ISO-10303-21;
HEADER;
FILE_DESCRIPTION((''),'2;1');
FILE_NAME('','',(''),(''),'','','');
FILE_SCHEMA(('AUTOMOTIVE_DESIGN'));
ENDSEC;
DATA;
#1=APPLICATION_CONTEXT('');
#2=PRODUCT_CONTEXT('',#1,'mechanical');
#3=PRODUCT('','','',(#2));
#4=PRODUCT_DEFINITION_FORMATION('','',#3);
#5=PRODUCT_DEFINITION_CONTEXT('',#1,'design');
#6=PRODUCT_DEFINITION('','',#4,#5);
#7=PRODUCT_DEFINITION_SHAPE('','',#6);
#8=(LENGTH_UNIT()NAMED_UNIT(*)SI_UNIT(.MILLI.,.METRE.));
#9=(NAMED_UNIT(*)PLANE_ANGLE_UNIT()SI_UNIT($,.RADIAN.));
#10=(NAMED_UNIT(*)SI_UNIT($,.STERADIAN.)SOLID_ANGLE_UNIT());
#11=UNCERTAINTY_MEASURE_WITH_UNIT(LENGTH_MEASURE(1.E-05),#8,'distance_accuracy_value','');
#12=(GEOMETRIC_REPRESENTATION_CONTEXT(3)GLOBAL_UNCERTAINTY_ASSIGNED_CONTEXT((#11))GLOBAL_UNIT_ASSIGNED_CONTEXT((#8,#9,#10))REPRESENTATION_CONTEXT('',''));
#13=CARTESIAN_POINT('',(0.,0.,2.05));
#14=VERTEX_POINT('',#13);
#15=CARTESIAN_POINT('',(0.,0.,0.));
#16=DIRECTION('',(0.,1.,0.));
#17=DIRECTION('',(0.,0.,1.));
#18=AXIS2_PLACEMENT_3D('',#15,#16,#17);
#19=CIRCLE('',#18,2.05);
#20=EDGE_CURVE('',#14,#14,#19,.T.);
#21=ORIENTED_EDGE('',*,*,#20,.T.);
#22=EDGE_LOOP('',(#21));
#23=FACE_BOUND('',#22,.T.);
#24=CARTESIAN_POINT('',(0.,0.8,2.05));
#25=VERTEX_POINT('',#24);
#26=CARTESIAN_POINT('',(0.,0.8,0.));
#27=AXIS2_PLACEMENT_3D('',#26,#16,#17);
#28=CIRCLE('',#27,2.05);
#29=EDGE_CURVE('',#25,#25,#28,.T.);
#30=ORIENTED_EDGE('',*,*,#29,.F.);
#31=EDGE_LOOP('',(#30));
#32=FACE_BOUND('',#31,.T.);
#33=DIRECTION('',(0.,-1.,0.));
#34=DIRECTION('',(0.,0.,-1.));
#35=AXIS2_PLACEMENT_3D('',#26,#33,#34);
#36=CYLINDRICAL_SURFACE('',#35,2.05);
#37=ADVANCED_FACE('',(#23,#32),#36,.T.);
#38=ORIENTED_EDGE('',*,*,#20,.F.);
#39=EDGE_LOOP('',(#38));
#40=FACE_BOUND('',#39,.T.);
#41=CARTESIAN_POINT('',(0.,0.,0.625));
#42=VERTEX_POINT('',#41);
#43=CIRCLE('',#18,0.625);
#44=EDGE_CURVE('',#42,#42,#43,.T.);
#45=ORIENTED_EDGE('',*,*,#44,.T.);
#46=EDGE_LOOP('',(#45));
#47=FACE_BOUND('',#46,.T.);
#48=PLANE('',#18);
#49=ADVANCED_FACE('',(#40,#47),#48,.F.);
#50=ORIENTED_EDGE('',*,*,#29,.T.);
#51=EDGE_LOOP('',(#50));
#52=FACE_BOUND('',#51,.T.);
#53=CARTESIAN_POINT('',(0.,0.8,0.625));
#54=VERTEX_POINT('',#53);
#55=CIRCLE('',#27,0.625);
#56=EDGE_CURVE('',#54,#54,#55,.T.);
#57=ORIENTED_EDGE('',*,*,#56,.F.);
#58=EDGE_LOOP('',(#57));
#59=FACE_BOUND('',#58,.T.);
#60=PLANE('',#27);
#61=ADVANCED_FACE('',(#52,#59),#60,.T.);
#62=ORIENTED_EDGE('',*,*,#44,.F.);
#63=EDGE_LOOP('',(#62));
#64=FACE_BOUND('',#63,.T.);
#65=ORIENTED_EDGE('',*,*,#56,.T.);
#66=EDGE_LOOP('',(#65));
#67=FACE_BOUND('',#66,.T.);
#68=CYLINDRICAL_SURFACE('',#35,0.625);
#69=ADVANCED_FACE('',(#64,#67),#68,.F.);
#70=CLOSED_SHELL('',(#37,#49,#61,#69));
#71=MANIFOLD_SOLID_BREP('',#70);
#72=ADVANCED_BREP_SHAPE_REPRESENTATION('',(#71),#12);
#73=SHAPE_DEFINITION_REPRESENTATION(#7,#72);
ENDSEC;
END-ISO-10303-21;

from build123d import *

# Parameters (mm, degrees)
SKETCH1_R           = 2.05
SKETCH1_R_2         = 0.625
BOSS_EXTRUDE1_DEPTH = 0.8


with BuildPart() as part:
    # Sketch1 → Boss-Extrude1 (new body)
    with BuildSketch(Plane(origin=(0, 0, 0), x_dir=(1, 0, 0), z_dir=(0, 1, 0))):
        with Locations(Location((0, 0, 0), (0, 0, 270))):
            Circle(SKETCH1_R)
        with Locations(Location((0, 0, 0), (0, 0, 270))):
            Circle(SKETCH1_R_2, mode=Mode.SUBTRACT)
    extrude(amount=BOSS_EXTRUDE1_DEPTH)


solid = part.part
